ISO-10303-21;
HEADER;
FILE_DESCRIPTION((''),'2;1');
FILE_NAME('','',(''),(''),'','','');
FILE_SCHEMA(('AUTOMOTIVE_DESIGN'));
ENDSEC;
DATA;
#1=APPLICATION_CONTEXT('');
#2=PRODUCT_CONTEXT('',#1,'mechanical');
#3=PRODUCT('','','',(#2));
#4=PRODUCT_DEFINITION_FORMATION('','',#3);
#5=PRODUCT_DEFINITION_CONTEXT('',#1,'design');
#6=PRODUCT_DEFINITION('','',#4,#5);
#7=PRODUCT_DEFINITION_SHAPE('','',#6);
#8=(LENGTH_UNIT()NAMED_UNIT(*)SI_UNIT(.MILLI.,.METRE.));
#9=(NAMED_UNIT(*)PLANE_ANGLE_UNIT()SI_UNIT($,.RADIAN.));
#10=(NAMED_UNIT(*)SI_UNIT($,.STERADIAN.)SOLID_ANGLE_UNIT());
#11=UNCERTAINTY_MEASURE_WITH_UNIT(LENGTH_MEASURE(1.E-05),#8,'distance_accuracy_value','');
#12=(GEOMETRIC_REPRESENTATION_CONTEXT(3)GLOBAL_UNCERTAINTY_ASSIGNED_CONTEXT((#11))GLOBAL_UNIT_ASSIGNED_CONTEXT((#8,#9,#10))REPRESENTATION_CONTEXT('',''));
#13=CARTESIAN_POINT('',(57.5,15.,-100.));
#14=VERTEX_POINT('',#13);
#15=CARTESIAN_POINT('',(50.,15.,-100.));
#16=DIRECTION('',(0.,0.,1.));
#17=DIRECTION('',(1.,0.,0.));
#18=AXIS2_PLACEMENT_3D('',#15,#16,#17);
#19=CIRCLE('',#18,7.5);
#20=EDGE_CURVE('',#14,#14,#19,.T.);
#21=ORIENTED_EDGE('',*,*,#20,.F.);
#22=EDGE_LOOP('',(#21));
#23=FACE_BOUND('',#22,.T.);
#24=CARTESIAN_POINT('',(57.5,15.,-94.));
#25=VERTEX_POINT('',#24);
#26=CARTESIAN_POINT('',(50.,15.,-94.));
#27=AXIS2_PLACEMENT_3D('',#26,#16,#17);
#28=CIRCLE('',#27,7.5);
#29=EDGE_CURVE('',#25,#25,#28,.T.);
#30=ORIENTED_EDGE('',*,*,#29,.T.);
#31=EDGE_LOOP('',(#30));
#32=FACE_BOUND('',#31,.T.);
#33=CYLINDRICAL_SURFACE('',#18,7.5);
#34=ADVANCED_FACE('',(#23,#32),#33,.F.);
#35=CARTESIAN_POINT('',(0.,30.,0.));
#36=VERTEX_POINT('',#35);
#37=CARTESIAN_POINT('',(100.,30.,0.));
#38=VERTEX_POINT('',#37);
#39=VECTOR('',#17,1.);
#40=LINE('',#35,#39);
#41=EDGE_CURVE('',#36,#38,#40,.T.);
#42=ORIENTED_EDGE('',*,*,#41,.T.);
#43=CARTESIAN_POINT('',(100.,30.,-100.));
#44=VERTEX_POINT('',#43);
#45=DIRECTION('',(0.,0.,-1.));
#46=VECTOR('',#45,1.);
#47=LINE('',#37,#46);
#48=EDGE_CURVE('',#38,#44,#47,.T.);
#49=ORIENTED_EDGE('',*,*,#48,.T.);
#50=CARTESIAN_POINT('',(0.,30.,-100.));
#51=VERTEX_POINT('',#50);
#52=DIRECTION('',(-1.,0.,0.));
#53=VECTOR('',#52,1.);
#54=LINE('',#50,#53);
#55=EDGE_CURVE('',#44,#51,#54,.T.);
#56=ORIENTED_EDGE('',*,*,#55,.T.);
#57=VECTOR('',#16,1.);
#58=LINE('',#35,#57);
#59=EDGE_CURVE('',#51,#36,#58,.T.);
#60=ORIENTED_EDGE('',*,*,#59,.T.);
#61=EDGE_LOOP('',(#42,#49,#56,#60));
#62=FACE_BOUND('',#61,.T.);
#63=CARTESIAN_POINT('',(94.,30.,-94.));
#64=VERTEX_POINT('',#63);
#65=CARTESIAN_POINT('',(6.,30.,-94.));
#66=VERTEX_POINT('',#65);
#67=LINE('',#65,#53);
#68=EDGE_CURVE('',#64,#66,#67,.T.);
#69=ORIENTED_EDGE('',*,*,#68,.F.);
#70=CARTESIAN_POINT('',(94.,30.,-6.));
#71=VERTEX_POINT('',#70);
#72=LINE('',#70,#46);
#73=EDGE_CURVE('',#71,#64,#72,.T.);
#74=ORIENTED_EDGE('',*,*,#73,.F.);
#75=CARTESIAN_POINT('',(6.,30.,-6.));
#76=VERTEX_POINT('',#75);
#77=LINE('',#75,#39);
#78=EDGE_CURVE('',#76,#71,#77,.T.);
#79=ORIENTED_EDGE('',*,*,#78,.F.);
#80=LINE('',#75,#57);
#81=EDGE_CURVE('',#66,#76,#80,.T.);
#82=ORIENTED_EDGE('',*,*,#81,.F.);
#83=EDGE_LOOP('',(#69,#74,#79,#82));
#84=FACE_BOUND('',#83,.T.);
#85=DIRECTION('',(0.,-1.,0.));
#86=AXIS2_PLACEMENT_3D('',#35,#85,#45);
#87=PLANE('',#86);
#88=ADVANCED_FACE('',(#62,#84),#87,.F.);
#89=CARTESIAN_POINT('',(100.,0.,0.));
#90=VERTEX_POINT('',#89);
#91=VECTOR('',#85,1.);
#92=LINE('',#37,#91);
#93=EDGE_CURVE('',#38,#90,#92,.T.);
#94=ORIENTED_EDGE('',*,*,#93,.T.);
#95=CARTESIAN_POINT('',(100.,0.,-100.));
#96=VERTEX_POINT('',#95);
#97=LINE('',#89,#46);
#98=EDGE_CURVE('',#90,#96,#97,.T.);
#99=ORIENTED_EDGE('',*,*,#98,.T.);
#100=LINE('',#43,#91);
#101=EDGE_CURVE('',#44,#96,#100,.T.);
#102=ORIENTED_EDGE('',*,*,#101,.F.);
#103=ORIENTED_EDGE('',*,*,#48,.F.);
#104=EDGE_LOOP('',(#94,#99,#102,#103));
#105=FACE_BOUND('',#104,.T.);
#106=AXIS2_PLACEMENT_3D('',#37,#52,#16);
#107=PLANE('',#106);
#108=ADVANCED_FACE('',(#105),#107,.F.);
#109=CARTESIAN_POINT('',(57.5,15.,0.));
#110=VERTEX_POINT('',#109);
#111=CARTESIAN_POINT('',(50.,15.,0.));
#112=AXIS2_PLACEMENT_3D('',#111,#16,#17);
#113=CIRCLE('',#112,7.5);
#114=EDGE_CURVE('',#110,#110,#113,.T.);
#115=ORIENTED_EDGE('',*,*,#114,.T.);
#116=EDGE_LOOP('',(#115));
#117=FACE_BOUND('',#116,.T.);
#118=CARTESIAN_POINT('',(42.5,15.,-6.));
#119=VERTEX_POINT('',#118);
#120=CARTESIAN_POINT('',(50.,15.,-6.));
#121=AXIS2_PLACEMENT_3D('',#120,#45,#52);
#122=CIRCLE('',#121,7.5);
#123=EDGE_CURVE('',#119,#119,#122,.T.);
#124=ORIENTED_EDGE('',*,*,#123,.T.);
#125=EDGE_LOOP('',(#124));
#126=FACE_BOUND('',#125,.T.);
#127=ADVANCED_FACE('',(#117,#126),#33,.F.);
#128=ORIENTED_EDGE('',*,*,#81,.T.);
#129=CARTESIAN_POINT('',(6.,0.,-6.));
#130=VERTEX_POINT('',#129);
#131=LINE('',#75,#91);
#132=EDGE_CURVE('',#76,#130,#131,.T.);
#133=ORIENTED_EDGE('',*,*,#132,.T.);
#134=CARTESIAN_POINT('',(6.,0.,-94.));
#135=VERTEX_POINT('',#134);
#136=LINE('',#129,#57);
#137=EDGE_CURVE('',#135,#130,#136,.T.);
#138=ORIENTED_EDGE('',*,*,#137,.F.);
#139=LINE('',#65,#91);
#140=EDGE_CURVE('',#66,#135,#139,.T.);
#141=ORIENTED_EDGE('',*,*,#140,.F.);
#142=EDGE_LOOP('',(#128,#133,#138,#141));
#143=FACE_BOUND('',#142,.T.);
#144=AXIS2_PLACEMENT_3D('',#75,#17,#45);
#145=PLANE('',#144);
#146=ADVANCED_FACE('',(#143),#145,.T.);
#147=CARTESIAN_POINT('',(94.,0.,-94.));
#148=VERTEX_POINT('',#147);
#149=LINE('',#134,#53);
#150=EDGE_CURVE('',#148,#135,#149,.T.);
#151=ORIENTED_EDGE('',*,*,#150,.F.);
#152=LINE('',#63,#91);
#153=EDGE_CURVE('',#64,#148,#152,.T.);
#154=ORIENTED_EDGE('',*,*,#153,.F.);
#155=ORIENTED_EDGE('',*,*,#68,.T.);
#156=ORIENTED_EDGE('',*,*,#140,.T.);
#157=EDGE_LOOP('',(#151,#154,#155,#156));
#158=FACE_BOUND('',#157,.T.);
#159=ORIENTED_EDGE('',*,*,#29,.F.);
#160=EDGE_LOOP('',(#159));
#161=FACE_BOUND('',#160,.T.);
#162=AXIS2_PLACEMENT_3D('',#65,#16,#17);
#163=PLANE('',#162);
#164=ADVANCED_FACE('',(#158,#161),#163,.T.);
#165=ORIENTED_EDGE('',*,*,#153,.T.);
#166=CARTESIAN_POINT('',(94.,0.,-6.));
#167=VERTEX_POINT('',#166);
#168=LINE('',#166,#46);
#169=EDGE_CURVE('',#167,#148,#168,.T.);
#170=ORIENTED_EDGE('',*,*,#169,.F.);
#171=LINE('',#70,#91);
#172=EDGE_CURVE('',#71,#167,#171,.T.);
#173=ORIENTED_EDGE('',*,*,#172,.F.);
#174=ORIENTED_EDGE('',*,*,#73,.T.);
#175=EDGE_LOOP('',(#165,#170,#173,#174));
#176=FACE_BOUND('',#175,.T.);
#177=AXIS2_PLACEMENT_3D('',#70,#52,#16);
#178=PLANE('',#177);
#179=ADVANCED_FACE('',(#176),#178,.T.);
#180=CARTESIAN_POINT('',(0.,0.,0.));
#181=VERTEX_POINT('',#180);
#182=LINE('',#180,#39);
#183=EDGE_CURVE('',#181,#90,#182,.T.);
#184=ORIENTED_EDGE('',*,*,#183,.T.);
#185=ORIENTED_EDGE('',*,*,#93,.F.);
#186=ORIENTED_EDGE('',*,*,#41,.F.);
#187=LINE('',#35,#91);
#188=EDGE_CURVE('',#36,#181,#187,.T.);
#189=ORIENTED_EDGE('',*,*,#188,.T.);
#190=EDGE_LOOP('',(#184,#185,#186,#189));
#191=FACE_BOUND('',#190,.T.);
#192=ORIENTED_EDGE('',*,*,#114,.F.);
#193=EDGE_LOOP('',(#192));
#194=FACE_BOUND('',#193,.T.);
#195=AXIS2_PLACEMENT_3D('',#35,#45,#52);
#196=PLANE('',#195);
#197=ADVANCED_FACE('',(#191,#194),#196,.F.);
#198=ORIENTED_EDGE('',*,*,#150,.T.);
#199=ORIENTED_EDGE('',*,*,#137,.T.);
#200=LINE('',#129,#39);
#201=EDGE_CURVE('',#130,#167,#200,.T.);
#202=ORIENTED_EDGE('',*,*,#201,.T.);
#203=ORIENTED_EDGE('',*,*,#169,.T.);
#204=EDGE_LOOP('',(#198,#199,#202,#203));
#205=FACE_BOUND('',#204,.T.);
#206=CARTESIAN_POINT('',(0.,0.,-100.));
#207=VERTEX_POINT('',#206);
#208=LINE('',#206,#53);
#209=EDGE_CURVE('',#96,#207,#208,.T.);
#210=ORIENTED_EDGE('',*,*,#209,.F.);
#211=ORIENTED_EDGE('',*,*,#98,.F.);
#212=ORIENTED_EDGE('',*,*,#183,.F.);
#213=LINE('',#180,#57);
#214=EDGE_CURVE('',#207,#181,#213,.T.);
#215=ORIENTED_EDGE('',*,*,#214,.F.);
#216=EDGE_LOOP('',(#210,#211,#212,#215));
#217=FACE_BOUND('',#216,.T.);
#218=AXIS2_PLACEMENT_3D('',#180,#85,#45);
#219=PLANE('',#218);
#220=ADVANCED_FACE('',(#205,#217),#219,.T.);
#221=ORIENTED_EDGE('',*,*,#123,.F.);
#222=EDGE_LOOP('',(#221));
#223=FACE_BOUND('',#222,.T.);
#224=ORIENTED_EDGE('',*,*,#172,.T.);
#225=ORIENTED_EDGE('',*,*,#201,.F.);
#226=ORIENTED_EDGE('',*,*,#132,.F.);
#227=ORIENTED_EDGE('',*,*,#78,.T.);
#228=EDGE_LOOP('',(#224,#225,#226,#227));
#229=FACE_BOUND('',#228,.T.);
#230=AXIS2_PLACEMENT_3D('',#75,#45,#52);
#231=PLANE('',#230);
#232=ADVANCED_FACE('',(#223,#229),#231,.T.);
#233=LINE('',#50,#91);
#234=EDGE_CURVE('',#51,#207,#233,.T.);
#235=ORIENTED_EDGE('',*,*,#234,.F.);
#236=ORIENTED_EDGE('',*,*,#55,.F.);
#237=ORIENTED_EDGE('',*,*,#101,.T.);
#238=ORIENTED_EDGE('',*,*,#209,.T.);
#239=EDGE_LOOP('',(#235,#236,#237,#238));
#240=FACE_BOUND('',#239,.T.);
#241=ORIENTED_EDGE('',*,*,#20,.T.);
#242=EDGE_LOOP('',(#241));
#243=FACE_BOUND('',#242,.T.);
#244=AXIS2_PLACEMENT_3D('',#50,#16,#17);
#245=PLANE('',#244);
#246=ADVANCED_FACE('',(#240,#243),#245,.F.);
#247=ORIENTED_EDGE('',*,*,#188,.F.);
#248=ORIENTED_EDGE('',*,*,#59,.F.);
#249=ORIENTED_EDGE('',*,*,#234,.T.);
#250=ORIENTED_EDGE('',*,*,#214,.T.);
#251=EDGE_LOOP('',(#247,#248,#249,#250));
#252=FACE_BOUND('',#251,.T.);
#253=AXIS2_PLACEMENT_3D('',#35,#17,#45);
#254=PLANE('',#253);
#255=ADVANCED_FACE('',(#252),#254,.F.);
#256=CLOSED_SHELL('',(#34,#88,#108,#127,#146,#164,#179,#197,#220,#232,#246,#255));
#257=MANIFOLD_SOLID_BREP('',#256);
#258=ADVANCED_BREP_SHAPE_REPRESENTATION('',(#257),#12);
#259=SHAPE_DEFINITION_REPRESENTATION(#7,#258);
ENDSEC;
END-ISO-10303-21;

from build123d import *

# Parameters (mm, degrees)
SKETCH1_W           = 100
SKETCH1_H           = 100
SKETCH1_W_2         = 88
SKETCH1_H_2         = 88
BOSS_EXTRUDE1_DEPTH = 30
SKETCH2_R           = 7.5
CUT_EXTRUDE1_DEPTH  = 145.568322948


with BuildPart() as part:
    # Sketch1 → Boss-Extrude1 (new body)
    with BuildSketch(Plane(origin=(0, 0, 0), x_dir=(1, 0, 0), z_dir=(0, 1, 0))):
        with Locations((50, 50)):
            Rectangle(SKETCH1_W, SKETCH1_H)
        with Locations((50, 50)):
            Rectangle(SKETCH1_W_2, SKETCH1_H_2, mode=Mode.SUBTRACT)
    extrude(amount=BOSS_EXTRUDE1_DEPTH)

    # Sketch2 → Cut-Extrude1 (cut, through all)
    with BuildSketch(Plane.XY):
        with Locations((50, 15)):
            Circle(SKETCH2_R)
    extrude(amount=-CUT_EXTRUDE1_DEPTH, mode=Mode.SUBTRACT)


solid = part.part
